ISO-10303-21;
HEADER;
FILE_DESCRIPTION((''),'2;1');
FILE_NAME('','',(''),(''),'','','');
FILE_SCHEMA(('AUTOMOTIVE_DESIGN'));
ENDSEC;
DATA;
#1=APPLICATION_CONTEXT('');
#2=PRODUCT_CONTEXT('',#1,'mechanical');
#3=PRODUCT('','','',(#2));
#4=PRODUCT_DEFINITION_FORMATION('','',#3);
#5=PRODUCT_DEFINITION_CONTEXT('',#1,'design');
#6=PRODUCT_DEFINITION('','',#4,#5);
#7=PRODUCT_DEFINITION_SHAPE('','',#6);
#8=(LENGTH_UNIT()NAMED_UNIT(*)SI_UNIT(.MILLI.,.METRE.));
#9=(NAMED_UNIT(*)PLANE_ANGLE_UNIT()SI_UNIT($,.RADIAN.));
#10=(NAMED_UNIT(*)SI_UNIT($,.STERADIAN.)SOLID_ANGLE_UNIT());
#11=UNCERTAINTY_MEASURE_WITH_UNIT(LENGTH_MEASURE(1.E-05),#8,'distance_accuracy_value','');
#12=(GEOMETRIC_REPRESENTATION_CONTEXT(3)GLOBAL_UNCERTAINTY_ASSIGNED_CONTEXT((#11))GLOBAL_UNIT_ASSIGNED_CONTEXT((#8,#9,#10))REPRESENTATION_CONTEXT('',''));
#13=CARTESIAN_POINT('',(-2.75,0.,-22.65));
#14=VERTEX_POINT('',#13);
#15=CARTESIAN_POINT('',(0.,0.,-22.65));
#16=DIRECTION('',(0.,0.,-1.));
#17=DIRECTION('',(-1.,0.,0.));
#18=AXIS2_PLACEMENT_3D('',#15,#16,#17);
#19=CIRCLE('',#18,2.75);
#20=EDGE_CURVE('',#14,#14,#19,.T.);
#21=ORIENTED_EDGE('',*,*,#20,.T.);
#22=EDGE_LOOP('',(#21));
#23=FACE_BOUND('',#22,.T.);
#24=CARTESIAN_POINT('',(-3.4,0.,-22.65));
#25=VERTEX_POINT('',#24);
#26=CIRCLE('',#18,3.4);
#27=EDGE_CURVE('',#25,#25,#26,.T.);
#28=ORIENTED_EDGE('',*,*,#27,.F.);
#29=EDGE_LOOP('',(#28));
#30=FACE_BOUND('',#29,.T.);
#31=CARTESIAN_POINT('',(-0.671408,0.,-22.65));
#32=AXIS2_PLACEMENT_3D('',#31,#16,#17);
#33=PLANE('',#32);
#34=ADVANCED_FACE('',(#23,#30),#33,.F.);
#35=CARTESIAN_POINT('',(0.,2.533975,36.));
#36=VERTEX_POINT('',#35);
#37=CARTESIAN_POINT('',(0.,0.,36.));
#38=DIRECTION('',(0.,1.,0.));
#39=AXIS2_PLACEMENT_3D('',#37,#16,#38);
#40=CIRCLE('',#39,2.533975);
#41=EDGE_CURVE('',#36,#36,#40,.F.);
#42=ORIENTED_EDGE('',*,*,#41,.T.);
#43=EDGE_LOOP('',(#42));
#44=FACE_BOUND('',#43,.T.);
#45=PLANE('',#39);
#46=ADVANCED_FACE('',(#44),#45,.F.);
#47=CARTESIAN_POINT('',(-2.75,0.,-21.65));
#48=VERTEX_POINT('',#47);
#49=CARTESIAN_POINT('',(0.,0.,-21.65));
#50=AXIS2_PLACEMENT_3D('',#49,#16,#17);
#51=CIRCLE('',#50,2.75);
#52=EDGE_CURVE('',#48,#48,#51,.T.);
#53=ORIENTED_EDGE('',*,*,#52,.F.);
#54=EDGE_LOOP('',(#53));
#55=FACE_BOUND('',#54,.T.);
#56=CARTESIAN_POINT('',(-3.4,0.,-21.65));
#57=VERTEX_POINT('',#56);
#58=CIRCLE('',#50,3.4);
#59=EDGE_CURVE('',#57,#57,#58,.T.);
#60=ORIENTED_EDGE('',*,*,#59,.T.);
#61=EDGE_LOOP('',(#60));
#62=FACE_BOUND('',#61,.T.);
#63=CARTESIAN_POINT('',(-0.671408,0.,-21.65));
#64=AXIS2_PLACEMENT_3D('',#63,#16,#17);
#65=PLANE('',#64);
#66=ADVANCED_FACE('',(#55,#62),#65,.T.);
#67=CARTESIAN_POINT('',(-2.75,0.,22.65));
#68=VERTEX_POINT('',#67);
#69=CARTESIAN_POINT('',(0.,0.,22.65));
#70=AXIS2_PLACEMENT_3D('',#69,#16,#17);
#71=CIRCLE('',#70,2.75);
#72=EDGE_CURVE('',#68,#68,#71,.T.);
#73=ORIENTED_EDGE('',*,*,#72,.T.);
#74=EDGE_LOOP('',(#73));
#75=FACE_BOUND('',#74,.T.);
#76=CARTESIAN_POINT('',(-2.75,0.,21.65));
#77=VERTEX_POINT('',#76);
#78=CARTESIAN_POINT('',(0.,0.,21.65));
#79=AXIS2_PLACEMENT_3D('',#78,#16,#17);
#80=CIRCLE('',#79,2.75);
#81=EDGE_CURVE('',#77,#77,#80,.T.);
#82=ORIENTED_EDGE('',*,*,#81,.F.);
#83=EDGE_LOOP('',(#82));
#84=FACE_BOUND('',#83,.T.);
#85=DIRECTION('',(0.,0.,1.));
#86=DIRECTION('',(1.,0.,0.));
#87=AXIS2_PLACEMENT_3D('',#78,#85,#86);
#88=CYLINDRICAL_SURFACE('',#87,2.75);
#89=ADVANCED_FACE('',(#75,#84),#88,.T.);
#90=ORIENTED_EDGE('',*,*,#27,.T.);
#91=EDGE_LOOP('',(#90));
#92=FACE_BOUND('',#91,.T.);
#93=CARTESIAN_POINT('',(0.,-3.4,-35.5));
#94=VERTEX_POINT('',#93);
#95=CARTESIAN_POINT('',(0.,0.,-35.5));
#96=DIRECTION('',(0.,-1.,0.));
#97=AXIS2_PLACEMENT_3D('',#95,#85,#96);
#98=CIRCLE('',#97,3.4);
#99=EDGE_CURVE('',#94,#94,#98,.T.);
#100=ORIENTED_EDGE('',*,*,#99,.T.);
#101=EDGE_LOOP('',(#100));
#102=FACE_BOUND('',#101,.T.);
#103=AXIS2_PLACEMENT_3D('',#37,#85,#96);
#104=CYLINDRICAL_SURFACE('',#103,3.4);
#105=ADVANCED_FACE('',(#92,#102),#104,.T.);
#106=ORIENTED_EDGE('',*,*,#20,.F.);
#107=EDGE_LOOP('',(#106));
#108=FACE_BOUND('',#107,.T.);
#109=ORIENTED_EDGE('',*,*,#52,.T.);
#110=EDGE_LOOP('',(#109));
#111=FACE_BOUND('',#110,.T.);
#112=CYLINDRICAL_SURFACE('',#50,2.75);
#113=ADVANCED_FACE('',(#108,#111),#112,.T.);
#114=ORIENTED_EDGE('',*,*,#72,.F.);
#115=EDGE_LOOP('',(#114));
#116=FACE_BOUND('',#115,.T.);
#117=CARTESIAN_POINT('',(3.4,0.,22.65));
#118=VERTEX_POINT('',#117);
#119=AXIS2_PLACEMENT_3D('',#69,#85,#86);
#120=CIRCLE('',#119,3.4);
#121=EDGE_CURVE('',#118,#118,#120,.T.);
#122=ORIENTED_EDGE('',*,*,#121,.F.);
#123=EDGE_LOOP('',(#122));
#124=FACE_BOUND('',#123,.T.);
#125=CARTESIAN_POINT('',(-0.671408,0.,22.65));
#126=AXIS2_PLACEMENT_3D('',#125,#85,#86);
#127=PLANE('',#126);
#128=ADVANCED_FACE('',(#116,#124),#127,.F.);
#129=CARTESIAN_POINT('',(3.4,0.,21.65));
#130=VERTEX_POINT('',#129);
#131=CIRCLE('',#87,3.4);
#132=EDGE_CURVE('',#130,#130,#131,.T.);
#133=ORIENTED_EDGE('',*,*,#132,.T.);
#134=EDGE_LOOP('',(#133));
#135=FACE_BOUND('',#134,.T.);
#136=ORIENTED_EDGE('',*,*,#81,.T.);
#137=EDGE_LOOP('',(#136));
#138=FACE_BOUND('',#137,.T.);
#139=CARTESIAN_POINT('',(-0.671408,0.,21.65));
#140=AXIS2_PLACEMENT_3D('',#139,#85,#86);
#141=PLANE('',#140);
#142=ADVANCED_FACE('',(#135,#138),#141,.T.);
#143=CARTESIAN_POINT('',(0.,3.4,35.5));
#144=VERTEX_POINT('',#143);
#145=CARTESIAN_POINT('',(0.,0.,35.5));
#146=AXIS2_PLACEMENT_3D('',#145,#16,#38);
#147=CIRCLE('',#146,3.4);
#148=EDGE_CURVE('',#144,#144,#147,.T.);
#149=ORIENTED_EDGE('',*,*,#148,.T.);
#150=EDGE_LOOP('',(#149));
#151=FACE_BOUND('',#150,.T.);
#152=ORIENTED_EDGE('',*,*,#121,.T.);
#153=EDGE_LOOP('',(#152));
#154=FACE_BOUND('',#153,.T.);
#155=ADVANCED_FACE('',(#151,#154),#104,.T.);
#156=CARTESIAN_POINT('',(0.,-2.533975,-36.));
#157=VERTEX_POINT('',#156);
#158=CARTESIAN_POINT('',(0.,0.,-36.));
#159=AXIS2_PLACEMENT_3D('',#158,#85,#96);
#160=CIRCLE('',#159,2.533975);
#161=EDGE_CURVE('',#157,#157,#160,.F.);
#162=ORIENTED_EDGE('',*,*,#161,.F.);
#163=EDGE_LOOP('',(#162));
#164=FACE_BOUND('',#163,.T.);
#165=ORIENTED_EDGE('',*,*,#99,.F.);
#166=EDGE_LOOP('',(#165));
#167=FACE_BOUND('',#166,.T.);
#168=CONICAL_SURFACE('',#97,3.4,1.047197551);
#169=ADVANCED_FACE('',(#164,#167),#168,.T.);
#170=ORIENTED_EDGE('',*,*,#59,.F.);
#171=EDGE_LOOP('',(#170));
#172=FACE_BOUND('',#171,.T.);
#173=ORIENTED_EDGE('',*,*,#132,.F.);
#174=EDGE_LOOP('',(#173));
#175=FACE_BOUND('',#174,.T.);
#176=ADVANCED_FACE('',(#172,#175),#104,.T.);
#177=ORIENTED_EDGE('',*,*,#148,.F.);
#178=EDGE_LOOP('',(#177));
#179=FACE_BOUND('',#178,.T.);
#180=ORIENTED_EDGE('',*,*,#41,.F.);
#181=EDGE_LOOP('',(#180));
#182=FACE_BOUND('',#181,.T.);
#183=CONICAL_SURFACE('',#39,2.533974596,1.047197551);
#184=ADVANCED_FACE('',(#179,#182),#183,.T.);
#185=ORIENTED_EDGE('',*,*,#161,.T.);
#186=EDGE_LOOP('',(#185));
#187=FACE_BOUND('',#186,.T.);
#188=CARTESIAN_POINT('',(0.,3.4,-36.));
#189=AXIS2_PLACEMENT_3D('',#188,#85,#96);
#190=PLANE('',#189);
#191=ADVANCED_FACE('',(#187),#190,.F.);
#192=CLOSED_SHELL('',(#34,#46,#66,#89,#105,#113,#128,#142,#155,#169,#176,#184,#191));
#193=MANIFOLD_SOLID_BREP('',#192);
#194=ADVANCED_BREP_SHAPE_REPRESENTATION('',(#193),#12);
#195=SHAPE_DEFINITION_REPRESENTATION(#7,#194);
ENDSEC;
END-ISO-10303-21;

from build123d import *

# Parameters (mm, degrees)
CHAMFER1_SIZE      = 0.5
CHAMFER1_SIZE2     = 0.866025404
CUT_EXTRUDE1_START = -13.35
SKETCH2_OUTSIDE_W  = 23.328
SKETCH2_OUTSIDE_H  = 23.328
SKETCH2_OUTSIDE_R  = 2.75
CUT_EXTRUDE1_DEPTH = 1


with BuildPart() as part:
    # Sketch1 → Revolve1 (revolve)
    with BuildSketch(Plane(origin=(0, 0, 0), x_dir=(0, 0, -1), z_dir=(1, 0, 0)), mode=Mode.PRIVATE) as revolve1_sk:
        Polygon((-36, 0), (-36, 3.4), (2.432191781, 3.4), (36, 3.4), (36, 0), align=None)
    revolve(revolve1_sk.sketch.rotate(Axis((0, 0, 36), (0, 0, -1)), 180), axis=Axis((0, 0, 36), (0, 0, -1)))

    # Chamfer1
    chamfer1_edges = [part.edges().sort_by_distance(p)[0] for p in [
        (0, 3.4, -36),
        (0, 3.4, 36),
    ]]
    chamfer1_side = [part.faces().sort_by_distance(p)[0] for p in [
        (0, 3.4, 0),
    ]]
    chamfer(chamfer1_edges, length=CHAMFER1_SIZE, length2=CHAMFER1_SIZE2, reference=chamfer1_side[0])

    # Sketch2 outside → Cut-Extrude1 (cut)
    with BuildSketch(Plane(origin=(0, 0, -36), x_dir=(-1, 0, 0), z_dir=(0, 0, -1)).offset(CUT_EXTRUDE1_START)):
        Rectangle(SKETCH2_OUTSIDE_W, SKETCH2_OUTSIDE_H)
        Circle(SKETCH2_OUTSIDE_R, mode=Mode.SUBTRACT)
    cut_extrude1 = extrude(amount=-CUT_EXTRUDE1_DEPTH, mode=Mode.SUBTRACT)

    # Mirror1: Cut-Extrude1 across plane
    add(cut_extrude1.mirror(Plane.XY), mode=Mode.SUBTRACT)


solid = part.part
